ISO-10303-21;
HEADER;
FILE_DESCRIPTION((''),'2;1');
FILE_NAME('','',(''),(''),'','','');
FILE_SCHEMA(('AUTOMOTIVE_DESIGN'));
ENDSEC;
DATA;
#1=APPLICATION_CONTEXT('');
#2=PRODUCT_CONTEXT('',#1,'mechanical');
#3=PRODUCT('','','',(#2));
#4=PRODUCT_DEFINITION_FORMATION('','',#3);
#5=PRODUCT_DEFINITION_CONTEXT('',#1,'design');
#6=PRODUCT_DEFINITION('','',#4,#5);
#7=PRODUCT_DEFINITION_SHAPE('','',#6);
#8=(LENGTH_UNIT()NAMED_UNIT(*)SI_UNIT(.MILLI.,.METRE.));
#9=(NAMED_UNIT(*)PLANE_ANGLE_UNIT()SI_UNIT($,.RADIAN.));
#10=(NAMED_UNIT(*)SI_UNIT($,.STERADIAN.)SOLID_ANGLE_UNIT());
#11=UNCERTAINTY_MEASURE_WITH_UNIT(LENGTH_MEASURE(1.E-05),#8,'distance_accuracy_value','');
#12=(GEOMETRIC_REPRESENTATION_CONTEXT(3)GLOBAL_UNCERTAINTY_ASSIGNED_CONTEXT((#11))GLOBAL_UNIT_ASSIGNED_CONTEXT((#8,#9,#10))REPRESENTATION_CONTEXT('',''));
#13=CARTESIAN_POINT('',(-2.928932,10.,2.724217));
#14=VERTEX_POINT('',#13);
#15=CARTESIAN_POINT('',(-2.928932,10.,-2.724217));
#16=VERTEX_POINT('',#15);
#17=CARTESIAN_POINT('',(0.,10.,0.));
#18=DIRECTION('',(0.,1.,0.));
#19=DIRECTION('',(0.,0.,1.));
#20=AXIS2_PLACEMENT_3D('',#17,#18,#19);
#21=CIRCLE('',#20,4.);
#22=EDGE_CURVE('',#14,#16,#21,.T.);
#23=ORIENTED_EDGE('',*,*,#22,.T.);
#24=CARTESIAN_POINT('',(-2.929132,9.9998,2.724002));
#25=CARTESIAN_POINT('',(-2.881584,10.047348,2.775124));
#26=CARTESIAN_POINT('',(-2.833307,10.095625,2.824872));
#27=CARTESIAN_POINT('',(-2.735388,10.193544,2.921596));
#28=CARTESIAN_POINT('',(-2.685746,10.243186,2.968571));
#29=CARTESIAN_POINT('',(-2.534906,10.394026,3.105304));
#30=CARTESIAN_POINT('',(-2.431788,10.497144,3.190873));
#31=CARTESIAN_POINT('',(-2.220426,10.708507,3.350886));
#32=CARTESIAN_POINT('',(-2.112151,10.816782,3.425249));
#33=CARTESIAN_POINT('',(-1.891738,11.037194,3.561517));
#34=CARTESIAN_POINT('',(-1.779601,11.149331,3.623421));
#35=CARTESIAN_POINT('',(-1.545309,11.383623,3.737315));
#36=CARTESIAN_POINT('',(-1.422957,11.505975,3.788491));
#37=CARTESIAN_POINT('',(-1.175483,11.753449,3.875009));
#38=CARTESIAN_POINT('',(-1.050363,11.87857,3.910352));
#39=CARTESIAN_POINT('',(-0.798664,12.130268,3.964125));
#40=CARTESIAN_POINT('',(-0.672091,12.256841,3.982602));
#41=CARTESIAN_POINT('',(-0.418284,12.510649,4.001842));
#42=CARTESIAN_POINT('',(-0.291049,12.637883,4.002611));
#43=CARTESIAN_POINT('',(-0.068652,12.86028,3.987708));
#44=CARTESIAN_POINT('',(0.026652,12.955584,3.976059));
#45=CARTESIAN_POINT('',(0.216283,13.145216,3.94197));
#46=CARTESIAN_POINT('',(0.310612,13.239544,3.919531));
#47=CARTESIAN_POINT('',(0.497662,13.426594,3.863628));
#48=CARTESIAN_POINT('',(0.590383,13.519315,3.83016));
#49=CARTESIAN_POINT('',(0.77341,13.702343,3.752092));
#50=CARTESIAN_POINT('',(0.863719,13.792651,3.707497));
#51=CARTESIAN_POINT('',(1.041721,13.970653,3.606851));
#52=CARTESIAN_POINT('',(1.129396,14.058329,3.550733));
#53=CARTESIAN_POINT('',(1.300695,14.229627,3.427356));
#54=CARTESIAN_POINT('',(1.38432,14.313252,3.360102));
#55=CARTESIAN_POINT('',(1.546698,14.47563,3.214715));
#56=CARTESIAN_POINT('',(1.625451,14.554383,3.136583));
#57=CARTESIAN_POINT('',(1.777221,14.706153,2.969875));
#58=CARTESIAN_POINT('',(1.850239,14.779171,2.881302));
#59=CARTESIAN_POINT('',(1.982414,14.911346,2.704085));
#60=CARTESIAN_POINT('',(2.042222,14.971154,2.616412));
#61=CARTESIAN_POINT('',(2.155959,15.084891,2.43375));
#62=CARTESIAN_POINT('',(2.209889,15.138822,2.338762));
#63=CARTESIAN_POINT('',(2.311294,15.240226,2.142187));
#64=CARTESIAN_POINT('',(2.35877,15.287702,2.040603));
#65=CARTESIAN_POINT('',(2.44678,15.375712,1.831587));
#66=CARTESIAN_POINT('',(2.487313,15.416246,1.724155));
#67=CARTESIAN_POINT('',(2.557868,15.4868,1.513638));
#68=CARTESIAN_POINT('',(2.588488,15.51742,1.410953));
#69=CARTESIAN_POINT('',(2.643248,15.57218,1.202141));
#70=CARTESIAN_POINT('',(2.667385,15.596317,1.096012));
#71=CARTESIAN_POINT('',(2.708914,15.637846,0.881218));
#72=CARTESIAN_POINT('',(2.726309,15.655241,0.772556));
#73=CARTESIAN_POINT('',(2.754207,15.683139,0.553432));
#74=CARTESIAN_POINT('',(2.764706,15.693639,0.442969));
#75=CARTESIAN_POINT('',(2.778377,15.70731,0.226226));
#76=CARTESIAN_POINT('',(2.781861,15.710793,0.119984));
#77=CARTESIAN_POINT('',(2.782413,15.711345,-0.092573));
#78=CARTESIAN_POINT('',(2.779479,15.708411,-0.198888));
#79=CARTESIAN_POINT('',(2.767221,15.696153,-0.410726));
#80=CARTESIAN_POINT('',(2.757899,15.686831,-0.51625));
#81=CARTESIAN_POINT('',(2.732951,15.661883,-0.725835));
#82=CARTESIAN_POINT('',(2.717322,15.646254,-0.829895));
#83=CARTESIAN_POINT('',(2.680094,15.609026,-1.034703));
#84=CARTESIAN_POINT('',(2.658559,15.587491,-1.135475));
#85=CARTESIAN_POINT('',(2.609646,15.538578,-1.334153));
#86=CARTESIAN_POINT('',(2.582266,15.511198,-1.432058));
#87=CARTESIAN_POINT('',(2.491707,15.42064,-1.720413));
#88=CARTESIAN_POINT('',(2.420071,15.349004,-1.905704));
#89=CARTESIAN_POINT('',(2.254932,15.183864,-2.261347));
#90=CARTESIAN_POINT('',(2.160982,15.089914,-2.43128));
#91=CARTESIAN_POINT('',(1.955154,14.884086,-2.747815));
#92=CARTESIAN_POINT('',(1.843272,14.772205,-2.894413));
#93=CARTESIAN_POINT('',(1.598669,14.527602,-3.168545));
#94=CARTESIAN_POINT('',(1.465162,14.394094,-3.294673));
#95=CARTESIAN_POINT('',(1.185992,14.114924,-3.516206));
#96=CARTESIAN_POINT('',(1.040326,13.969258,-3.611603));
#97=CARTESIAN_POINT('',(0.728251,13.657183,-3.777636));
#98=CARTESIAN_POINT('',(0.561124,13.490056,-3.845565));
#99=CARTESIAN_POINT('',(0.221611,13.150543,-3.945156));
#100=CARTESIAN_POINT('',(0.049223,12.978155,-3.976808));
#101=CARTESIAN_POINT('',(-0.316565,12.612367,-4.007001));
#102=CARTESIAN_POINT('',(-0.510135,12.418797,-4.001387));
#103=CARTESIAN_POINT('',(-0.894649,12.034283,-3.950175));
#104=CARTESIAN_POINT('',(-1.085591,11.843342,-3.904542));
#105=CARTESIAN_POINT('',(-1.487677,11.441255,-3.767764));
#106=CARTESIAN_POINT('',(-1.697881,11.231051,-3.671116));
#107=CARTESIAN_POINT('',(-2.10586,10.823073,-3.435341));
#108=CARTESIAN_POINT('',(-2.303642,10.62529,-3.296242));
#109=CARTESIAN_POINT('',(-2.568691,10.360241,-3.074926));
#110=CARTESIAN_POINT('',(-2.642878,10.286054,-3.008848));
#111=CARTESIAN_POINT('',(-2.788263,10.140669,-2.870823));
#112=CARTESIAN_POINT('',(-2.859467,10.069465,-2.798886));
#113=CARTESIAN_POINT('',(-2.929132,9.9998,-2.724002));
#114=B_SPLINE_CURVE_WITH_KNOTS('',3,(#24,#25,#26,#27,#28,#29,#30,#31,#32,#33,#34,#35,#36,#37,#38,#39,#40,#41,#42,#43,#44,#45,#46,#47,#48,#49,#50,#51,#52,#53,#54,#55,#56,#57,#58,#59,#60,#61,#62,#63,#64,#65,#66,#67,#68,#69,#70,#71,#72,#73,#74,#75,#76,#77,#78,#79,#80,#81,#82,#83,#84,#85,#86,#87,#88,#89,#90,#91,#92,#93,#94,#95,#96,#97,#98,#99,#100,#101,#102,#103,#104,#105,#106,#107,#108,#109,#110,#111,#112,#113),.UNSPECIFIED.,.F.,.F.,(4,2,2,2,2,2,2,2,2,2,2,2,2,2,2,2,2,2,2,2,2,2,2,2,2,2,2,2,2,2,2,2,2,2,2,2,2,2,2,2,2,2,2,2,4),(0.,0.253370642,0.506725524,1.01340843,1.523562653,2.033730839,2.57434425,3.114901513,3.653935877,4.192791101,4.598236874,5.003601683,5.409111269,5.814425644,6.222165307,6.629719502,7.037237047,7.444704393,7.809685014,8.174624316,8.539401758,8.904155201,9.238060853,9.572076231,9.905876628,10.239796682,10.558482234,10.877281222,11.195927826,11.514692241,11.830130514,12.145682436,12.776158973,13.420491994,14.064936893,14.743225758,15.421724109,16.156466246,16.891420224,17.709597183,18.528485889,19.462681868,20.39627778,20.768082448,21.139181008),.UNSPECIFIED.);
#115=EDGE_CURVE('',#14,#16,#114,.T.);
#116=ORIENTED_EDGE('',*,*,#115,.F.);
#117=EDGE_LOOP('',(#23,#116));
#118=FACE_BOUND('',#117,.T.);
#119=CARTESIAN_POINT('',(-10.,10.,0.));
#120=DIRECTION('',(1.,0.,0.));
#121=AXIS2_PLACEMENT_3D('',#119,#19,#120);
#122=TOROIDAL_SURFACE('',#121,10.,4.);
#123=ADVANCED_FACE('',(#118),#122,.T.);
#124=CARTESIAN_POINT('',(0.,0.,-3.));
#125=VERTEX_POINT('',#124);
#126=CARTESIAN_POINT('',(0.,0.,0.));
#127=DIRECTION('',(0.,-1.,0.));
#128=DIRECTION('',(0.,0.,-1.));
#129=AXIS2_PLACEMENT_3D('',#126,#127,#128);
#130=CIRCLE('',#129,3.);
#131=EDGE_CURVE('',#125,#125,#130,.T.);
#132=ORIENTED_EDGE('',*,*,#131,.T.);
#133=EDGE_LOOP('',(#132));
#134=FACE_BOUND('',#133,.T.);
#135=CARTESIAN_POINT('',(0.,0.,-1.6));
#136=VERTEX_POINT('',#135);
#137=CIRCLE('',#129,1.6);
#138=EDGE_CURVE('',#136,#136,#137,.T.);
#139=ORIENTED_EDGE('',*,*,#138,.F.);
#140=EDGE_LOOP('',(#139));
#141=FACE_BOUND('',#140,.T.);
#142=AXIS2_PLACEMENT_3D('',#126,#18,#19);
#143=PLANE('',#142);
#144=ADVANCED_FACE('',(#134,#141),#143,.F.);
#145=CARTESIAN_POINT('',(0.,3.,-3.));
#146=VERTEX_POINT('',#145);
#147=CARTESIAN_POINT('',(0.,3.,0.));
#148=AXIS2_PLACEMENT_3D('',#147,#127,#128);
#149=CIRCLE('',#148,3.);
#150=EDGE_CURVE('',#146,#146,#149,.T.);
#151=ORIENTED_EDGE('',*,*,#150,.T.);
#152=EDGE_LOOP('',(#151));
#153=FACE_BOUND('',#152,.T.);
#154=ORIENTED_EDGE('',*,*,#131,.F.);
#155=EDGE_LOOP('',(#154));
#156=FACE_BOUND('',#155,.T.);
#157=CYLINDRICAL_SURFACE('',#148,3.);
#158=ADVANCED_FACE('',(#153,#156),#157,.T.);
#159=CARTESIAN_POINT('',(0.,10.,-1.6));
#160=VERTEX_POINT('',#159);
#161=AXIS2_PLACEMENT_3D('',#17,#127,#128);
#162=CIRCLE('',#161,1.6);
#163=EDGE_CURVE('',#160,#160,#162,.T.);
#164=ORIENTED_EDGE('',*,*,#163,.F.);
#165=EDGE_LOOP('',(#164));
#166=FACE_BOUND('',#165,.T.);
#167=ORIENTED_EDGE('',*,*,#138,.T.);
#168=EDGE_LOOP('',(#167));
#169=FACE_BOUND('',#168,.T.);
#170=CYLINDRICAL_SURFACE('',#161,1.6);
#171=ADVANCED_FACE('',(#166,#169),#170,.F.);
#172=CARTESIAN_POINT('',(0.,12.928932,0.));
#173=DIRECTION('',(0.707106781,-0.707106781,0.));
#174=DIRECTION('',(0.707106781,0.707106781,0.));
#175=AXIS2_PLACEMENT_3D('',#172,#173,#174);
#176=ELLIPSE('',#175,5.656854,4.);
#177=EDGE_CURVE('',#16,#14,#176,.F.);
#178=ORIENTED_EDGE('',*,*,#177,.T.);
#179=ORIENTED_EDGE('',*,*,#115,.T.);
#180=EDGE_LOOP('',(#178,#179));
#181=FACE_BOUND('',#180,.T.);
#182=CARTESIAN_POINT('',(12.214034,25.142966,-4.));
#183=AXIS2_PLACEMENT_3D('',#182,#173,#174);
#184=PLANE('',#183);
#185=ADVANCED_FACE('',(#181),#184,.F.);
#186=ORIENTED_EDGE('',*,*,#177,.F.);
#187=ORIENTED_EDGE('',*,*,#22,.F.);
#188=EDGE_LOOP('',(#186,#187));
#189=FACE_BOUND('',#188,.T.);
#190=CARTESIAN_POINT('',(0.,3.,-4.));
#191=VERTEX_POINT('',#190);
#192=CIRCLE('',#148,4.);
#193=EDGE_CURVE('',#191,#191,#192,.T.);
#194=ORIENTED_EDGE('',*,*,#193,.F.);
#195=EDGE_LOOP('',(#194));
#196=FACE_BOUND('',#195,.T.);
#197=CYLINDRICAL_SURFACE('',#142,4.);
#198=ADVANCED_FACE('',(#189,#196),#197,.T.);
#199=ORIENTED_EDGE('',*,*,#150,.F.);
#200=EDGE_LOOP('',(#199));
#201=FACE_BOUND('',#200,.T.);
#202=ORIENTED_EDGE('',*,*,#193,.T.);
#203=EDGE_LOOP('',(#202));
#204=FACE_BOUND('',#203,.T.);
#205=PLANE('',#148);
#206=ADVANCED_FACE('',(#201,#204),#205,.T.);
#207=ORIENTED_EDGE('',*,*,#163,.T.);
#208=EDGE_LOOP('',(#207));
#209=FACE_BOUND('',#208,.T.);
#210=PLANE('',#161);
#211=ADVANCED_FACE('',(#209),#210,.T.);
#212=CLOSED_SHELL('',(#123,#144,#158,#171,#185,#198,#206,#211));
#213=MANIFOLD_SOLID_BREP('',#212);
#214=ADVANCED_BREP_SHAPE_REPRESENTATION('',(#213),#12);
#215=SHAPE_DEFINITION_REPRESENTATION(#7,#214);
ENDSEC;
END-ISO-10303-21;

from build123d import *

# Parameters (mm, degrees)
SKETCH1_R               = 4
CUT_EXTRUDE1_START      = -3
SKETCH3_R               = 4
SKETCH3_R_2             = 3
CUT_EXTRUDE1_DEPTH      = 3
SKETCH4_R               = 4
SKETCH4_R_2             = 3
CUT_EXTRUDE2_DEPTH      = 3
SKETCH5_R               = 1.6
CUT_EXTRUDE3_DEPTH      = 10
SKETCH6_R               = 1.6
CUT_EXTRUDE4_DEPTH      = 10
CUT_EXTRUDE5_DEPTH      = 32.496031585
CUT_EXTRUDE5_DEPTH_BACK = 32.496031585
SKETCH14_R              = 1.5
BOSS_EXTRUDE4_DEPTH     = 10
SKETCH15_W              = 82.307095059
SKETCH15_H              = 58.72366942
CUT_EXTRUDE6_DEPTH      = 23.510122874


with BuildPart() as part:
    # Sweep1: sweep along a path in Sketch2
    with BuildLine(Plane.XY) as sweep1_path:
        Line((0, 0), (0, 10))
        ThreePointArc((0, 10), (-2.928932188, 17.071067812), (-10, 20))
        Line((-10, 20), (-20, 20))
    # Sketch1 → Sweep1 (sweep)
    with BuildSketch(Plane(origin=(0, 0, 0), x_dir=(1, 0, 0), z_dir=(0, 1, 0))):
        Circle(SKETCH1_R)
    sweep(path=sweep1_path.line)

    # Sketch3 → Cut-Extrude1 (cut)
    with BuildSketch(Plane.XZ.offset(CUT_EXTRUDE1_START)):
        Circle(SKETCH3_R)
        Circle(SKETCH3_R_2, mode=Mode.SUBTRACT)
    extrude(amount=CUT_EXTRUDE1_DEPTH, mode=Mode.SUBTRACT)

    # Sketch4 → Cut-Extrude2 (cut)
    with BuildSketch(Plane.ZY.offset(20)):
        with Locations((0, 20)):
            Circle(SKETCH4_R)
        with Locations((0, 20)):
            Circle(SKETCH4_R_2, mode=Mode.SUBTRACT)
    extrude(amount=-CUT_EXTRUDE2_DEPTH, mode=Mode.SUBTRACT)

    # Sketch5 → Cut-Extrude3 (cut)
    with BuildSketch(Plane.XZ):
        Circle(SKETCH5_R)
    extrude(amount=-CUT_EXTRUDE3_DEPTH, mode=Mode.SUBTRACT)

    # Sketch6 → Cut-Extrude4 (cut)
    with BuildSketch(Plane.ZY.offset(20)):
        with Locations((0, 20)):
            Circle(SKETCH6_R)
    extrude(amount=-CUT_EXTRUDE4_DEPTH, mode=Mode.SUBTRACT)

    # Sketch11 → Cut-Extrude5 (cut, two sides: drawn at the far end of the back side and taken through both)
    with BuildSketch(Plane.XY.offset(-CUT_EXTRUDE5_DEPTH_BACK)):
        Polygon((-15.076530842, 11.99453697), (5.142966103, 32.214033915), (12.214033915, 25.142966103), (-8.00546303, 4.923469158), align=None)
    extrude(amount=CUT_EXTRUDE5_DEPTH + CUT_EXTRUDE5_DEPTH_BACK, mode=Mode.SUBTRACT)


with BuildPart() as cut_extrude5_piece_1:
    # of the separate pieces the step leaves, piece 1, a body of its own (cut_extrude5_pieces)
    add(part.part.solids().sort_by_distance((4, 3, 0))[0])



with BuildPart() as cut_extrude5_piece_2:
    # of the separate pieces the step leaves, piece 2, a body of its own (cut_extrude5_pieces)
    add(part.part.solids().sort_by_distance((-10, 17.071067812, -2.724216628))[0])


with BuildPart() as cut_extrude5_piece_1_1:
    add(cut_extrude5_piece_1.part)

    add(cut_extrude5_piece_2.part)  # Boss-Extrude4 merges Cut-Extrude5 piece 2
    # Sketch14 → Boss-Extrude4 (add)
    with BuildSketch(Plane(origin=(-6.464466094, 6.464466094, 0), x_dir=(0, 0, 1), z_dir=(-0.7071067811865517, 0.7071067811865434, 0))):
        with Locations((0, 9.142135624)):
            Circle(SKETCH14_R)
    extrude(amount=BOSS_EXTRUDE4_DEPTH)

    # Sketch15 → Cut-Extrude6 (cut, through all)
    with BuildSketch(Plane(origin=(-6.464466094, 6.464466094, 0), x_dir=(0, 0, 1), z_dir=(-0.7071067811865517, 0.7071067811865434, 0))):
        with Locations((3.361016584, 6.067930336)):
            Rectangle(SKETCH15_W, SKETCH15_H)
    extrude(amount=CUT_EXTRUDE6_DEPTH, mode=Mode.SUBTRACT)


solid = cut_extrude5_piece_1_1.part
